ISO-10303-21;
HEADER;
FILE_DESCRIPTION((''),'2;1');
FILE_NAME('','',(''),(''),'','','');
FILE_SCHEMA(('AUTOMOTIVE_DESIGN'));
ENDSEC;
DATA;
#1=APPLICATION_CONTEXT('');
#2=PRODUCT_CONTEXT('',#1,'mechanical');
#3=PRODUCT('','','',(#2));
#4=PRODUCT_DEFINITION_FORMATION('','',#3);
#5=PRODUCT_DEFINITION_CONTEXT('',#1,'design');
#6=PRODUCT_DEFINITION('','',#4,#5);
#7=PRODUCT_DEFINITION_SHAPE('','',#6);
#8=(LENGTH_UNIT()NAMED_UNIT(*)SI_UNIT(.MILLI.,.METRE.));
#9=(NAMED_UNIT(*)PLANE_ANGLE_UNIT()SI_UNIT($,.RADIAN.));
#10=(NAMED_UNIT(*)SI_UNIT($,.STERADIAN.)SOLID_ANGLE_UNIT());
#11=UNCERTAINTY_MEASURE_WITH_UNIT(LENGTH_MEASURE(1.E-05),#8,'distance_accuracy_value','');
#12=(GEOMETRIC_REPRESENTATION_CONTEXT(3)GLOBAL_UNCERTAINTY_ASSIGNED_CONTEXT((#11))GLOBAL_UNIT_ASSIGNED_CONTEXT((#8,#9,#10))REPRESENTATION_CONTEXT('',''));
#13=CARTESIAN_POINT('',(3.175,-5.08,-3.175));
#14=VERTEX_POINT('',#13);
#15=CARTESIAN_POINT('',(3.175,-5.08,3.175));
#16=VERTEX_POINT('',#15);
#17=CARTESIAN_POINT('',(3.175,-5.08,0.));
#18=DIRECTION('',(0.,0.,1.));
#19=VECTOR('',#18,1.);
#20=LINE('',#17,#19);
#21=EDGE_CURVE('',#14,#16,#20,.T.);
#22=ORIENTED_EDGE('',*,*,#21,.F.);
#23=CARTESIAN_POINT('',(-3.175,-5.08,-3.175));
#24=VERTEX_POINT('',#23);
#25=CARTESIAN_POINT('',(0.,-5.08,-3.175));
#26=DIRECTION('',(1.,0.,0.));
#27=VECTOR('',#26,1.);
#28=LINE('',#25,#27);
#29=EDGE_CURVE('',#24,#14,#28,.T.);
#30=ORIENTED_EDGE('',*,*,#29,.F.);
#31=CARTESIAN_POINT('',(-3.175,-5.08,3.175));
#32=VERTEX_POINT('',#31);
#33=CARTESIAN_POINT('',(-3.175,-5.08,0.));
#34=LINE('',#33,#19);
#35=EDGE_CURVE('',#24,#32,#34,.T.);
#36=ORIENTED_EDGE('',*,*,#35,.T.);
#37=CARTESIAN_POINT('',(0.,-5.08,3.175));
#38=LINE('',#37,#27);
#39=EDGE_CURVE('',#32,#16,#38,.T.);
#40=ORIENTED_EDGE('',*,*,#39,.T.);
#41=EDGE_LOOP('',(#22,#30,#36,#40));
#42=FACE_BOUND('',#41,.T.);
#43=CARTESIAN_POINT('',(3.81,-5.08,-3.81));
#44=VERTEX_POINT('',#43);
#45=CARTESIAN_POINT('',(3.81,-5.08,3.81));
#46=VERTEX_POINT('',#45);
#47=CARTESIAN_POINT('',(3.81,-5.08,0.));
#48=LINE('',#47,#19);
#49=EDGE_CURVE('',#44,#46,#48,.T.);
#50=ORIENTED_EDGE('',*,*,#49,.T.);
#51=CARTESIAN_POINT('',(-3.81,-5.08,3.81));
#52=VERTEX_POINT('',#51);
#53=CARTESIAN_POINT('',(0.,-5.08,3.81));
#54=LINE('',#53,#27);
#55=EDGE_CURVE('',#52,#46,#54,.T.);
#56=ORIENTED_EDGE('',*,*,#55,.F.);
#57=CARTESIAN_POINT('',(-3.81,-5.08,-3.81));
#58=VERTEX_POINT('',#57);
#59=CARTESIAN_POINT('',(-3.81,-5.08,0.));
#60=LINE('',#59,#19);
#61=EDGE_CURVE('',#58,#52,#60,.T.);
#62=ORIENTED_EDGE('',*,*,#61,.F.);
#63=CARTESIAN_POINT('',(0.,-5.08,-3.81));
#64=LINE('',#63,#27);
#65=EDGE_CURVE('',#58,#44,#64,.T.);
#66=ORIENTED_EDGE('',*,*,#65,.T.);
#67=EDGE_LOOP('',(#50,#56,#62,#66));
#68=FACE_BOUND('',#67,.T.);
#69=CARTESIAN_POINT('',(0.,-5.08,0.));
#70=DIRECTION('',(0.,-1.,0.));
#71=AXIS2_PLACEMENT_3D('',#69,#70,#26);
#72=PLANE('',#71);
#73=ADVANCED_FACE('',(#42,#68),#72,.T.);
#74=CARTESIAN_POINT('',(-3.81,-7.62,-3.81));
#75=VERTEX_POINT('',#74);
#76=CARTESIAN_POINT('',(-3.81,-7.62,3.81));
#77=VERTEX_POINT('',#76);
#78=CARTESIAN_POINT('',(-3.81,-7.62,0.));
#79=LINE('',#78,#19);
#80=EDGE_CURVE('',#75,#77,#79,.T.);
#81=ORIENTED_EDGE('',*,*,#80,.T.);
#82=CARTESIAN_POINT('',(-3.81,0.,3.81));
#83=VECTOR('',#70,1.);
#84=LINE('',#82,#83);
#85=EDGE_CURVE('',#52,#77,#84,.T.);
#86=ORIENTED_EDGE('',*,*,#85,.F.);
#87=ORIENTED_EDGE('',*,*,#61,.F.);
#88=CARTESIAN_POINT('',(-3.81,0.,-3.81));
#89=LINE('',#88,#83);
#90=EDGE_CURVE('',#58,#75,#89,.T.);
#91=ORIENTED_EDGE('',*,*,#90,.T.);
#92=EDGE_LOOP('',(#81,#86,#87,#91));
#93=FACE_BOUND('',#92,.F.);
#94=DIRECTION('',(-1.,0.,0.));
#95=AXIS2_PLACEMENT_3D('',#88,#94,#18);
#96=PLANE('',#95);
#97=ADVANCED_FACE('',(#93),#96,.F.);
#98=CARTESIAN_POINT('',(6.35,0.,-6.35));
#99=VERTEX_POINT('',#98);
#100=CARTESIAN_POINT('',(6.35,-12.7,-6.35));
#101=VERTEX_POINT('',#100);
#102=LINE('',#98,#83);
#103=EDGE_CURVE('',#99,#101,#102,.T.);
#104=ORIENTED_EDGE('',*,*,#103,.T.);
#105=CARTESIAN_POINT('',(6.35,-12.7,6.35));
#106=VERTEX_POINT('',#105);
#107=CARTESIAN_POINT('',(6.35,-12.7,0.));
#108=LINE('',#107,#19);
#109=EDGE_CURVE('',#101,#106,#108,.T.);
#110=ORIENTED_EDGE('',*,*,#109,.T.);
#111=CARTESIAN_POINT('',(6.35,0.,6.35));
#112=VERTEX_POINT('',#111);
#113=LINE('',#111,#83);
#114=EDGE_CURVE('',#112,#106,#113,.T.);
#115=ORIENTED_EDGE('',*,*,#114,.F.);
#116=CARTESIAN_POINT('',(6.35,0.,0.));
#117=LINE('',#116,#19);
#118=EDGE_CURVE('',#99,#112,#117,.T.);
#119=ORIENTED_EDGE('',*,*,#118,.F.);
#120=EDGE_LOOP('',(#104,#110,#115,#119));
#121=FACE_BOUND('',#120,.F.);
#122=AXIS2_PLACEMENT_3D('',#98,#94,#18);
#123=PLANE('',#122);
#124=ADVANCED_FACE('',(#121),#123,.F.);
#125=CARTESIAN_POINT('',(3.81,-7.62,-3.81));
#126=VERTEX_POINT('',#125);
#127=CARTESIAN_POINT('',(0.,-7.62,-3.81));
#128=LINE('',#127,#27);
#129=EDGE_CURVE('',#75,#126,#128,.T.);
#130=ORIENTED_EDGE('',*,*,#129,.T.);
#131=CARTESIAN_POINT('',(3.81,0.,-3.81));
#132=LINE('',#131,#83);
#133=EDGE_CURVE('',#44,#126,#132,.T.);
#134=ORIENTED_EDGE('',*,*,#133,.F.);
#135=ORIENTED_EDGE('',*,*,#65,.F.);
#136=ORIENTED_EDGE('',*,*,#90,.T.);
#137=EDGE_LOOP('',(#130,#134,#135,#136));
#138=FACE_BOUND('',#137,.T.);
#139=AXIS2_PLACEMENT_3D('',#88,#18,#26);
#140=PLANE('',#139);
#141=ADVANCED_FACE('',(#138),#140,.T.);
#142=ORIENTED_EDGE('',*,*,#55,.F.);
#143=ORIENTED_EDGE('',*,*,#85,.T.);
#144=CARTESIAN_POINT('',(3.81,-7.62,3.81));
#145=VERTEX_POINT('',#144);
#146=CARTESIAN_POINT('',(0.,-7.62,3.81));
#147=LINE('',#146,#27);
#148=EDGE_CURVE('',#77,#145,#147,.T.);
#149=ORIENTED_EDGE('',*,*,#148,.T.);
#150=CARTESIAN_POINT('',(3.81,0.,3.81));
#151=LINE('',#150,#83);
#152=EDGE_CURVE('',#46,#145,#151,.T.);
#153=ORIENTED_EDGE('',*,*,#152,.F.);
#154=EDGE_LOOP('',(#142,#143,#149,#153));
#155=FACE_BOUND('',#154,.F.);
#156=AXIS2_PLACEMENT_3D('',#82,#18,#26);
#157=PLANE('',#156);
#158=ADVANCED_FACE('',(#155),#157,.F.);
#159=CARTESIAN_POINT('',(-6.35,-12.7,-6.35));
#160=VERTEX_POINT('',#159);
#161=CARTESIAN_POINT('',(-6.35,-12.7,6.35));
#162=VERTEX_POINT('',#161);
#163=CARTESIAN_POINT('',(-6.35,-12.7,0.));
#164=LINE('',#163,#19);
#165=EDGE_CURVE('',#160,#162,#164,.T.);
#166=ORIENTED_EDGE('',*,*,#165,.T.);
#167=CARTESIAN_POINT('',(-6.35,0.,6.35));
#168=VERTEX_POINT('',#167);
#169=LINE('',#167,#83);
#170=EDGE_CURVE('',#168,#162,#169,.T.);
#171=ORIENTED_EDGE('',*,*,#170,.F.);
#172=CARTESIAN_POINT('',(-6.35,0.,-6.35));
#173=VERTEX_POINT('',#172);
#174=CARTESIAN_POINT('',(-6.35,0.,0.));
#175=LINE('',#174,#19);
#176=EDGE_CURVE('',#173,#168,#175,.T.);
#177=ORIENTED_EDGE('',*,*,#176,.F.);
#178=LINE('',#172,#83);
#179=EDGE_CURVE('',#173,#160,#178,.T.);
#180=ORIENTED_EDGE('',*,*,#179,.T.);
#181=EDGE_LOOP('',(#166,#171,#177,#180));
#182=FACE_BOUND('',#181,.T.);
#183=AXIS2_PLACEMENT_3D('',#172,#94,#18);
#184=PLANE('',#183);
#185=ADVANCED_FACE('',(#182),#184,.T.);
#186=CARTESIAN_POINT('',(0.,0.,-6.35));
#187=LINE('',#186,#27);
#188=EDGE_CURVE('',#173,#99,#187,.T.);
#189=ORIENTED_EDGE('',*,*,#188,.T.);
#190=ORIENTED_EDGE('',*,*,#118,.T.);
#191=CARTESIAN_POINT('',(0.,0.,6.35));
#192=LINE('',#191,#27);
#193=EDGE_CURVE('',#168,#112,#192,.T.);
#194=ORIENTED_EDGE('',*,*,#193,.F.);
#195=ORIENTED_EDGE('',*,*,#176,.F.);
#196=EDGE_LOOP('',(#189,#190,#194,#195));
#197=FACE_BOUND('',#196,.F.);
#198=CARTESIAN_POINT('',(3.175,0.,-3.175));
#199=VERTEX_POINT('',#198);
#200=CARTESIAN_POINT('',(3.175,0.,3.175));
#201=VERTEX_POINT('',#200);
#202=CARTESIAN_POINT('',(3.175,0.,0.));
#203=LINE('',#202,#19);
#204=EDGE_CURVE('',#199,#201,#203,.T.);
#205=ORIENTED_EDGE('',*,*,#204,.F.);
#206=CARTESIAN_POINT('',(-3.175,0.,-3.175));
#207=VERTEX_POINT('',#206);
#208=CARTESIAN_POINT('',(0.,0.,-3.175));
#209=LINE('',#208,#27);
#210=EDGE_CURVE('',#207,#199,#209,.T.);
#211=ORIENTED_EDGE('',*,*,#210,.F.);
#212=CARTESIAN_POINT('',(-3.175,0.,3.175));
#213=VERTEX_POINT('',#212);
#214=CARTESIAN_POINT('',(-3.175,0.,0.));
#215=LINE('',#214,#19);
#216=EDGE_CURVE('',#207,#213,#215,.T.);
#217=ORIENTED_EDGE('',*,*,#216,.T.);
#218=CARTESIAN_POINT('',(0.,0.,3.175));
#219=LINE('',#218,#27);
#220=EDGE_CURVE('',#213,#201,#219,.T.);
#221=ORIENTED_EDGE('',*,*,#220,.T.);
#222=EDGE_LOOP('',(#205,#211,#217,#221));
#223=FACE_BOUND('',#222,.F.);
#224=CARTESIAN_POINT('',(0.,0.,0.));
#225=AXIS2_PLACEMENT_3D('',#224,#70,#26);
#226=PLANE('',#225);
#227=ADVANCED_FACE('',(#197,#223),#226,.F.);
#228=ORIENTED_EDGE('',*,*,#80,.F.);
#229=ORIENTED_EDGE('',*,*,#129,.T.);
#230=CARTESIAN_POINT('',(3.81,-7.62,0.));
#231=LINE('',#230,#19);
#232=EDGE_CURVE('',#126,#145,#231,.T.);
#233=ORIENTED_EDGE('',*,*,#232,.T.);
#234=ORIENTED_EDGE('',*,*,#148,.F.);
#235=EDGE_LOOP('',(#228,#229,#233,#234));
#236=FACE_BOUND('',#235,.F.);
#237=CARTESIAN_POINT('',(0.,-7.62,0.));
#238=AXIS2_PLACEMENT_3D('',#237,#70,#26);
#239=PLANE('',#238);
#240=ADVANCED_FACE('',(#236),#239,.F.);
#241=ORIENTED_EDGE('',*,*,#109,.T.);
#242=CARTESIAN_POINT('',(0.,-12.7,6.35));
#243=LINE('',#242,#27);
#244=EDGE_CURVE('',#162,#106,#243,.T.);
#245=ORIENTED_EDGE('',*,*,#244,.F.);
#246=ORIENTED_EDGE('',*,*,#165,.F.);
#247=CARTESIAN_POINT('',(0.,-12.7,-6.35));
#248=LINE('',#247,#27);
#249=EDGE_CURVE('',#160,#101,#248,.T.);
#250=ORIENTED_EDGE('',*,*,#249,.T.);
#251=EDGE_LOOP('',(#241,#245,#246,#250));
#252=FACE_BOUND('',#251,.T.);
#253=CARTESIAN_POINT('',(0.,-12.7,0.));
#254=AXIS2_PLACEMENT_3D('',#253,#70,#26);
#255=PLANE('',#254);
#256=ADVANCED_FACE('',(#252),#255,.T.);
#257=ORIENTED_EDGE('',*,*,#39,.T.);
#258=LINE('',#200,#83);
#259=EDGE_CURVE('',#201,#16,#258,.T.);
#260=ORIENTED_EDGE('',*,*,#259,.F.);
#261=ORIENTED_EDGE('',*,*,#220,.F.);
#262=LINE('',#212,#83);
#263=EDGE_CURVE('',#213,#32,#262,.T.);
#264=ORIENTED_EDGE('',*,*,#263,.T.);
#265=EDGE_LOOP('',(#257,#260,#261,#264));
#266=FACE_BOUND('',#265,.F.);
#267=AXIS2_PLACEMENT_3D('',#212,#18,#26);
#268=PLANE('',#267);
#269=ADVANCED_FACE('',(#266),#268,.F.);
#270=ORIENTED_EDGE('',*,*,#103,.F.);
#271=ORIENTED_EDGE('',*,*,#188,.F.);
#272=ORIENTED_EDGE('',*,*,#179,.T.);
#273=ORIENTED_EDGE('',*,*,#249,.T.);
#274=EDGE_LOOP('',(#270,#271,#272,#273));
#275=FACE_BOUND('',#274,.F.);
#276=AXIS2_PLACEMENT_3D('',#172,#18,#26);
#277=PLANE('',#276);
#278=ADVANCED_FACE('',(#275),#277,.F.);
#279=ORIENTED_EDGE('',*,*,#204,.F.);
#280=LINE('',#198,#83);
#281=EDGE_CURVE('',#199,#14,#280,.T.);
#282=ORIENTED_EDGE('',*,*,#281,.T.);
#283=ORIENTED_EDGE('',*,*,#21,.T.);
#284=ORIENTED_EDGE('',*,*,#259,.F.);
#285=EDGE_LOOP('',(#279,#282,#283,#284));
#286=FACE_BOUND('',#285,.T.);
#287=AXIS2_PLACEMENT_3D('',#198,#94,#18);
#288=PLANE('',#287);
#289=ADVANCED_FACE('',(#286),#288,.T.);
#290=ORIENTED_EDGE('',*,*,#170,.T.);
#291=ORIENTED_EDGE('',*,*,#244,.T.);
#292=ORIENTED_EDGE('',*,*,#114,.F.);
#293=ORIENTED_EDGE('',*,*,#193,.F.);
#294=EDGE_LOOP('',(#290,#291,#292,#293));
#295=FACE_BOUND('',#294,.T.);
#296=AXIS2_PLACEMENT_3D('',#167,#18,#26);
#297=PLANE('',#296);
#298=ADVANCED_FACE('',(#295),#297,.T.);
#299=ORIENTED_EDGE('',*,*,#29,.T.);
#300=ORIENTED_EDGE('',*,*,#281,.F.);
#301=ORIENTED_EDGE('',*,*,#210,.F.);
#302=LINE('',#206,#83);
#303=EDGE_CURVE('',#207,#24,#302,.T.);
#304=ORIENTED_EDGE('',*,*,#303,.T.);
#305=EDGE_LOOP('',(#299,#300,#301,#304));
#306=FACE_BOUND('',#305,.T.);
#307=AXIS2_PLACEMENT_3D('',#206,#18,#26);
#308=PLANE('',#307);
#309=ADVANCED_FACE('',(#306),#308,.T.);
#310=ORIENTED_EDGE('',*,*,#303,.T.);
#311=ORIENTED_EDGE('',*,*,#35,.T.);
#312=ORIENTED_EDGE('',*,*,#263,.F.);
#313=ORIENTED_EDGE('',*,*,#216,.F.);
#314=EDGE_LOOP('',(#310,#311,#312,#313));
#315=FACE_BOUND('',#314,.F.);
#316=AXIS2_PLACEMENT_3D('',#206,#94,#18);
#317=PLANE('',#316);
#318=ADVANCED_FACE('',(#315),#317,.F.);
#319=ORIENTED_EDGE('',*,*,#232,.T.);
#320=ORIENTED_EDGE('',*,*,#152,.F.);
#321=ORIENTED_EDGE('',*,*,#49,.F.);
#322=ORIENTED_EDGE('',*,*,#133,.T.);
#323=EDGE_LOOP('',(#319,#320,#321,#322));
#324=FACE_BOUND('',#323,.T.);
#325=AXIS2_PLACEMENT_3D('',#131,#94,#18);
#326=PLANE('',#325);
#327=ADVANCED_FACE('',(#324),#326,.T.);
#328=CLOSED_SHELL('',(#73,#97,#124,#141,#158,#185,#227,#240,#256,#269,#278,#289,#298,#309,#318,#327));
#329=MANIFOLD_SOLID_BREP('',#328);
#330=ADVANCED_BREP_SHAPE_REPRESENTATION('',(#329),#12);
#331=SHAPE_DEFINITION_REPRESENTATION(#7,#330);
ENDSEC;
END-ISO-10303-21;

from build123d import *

# Parameters (mm, degrees)
F0_W     = 12.7
F0_H     = 12.7
F0_W_2   = 7.62
F0_H_2   = 7.62
F0_W_3   = 6.35
F0_H_3   = 6.35
F1_DEPTH = 12.7
F2_DEPTH = 7.62
F3_DEPTH = 7.62
F4_DEPTH = 5.08


with BuildPart() as f1:
    # F0 (on Front) → F1 (new body)
    with BuildSketch(Plane.XZ):
        Rectangle(F0_W, F0_H)
        Rectangle(F0_W_2, F0_H_2, mode=Mode.SUBTRACT)
        Rectangle(F0_W_2, F0_H_2)
        Rectangle(F0_W_3, F0_H_3, mode=Mode.SUBTRACT)
        Rectangle(F0_W_3, F0_H_3)
    extrude(amount=F1_DEPTH)

    # F0 (on Front) → F2 (cut)
    with BuildSketch(Plane.XZ):
        Rectangle(F0_W_3, F0_H_3)
    extrude(amount=F2_DEPTH, mode=Mode.SUBTRACT)

    # F0 (on Front) → F3 (cut)
    with BuildSketch(Plane.XZ):
        Rectangle(F0_W_2, F0_H_2)
        Rectangle(F0_W_3, F0_H_3, mode=Mode.SUBTRACT)
    extrude(amount=F3_DEPTH, mode=Mode.SUBTRACT)

    # F0 (on Front) → F4 (join)
    with BuildSketch(Plane.XZ):
        Rectangle(F0_W_2, F0_H_2)
        Rectangle(F0_W_3, F0_H_3, mode=Mode.SUBTRACT)
    extrude(amount=F4_DEPTH)


solid = f1.part
